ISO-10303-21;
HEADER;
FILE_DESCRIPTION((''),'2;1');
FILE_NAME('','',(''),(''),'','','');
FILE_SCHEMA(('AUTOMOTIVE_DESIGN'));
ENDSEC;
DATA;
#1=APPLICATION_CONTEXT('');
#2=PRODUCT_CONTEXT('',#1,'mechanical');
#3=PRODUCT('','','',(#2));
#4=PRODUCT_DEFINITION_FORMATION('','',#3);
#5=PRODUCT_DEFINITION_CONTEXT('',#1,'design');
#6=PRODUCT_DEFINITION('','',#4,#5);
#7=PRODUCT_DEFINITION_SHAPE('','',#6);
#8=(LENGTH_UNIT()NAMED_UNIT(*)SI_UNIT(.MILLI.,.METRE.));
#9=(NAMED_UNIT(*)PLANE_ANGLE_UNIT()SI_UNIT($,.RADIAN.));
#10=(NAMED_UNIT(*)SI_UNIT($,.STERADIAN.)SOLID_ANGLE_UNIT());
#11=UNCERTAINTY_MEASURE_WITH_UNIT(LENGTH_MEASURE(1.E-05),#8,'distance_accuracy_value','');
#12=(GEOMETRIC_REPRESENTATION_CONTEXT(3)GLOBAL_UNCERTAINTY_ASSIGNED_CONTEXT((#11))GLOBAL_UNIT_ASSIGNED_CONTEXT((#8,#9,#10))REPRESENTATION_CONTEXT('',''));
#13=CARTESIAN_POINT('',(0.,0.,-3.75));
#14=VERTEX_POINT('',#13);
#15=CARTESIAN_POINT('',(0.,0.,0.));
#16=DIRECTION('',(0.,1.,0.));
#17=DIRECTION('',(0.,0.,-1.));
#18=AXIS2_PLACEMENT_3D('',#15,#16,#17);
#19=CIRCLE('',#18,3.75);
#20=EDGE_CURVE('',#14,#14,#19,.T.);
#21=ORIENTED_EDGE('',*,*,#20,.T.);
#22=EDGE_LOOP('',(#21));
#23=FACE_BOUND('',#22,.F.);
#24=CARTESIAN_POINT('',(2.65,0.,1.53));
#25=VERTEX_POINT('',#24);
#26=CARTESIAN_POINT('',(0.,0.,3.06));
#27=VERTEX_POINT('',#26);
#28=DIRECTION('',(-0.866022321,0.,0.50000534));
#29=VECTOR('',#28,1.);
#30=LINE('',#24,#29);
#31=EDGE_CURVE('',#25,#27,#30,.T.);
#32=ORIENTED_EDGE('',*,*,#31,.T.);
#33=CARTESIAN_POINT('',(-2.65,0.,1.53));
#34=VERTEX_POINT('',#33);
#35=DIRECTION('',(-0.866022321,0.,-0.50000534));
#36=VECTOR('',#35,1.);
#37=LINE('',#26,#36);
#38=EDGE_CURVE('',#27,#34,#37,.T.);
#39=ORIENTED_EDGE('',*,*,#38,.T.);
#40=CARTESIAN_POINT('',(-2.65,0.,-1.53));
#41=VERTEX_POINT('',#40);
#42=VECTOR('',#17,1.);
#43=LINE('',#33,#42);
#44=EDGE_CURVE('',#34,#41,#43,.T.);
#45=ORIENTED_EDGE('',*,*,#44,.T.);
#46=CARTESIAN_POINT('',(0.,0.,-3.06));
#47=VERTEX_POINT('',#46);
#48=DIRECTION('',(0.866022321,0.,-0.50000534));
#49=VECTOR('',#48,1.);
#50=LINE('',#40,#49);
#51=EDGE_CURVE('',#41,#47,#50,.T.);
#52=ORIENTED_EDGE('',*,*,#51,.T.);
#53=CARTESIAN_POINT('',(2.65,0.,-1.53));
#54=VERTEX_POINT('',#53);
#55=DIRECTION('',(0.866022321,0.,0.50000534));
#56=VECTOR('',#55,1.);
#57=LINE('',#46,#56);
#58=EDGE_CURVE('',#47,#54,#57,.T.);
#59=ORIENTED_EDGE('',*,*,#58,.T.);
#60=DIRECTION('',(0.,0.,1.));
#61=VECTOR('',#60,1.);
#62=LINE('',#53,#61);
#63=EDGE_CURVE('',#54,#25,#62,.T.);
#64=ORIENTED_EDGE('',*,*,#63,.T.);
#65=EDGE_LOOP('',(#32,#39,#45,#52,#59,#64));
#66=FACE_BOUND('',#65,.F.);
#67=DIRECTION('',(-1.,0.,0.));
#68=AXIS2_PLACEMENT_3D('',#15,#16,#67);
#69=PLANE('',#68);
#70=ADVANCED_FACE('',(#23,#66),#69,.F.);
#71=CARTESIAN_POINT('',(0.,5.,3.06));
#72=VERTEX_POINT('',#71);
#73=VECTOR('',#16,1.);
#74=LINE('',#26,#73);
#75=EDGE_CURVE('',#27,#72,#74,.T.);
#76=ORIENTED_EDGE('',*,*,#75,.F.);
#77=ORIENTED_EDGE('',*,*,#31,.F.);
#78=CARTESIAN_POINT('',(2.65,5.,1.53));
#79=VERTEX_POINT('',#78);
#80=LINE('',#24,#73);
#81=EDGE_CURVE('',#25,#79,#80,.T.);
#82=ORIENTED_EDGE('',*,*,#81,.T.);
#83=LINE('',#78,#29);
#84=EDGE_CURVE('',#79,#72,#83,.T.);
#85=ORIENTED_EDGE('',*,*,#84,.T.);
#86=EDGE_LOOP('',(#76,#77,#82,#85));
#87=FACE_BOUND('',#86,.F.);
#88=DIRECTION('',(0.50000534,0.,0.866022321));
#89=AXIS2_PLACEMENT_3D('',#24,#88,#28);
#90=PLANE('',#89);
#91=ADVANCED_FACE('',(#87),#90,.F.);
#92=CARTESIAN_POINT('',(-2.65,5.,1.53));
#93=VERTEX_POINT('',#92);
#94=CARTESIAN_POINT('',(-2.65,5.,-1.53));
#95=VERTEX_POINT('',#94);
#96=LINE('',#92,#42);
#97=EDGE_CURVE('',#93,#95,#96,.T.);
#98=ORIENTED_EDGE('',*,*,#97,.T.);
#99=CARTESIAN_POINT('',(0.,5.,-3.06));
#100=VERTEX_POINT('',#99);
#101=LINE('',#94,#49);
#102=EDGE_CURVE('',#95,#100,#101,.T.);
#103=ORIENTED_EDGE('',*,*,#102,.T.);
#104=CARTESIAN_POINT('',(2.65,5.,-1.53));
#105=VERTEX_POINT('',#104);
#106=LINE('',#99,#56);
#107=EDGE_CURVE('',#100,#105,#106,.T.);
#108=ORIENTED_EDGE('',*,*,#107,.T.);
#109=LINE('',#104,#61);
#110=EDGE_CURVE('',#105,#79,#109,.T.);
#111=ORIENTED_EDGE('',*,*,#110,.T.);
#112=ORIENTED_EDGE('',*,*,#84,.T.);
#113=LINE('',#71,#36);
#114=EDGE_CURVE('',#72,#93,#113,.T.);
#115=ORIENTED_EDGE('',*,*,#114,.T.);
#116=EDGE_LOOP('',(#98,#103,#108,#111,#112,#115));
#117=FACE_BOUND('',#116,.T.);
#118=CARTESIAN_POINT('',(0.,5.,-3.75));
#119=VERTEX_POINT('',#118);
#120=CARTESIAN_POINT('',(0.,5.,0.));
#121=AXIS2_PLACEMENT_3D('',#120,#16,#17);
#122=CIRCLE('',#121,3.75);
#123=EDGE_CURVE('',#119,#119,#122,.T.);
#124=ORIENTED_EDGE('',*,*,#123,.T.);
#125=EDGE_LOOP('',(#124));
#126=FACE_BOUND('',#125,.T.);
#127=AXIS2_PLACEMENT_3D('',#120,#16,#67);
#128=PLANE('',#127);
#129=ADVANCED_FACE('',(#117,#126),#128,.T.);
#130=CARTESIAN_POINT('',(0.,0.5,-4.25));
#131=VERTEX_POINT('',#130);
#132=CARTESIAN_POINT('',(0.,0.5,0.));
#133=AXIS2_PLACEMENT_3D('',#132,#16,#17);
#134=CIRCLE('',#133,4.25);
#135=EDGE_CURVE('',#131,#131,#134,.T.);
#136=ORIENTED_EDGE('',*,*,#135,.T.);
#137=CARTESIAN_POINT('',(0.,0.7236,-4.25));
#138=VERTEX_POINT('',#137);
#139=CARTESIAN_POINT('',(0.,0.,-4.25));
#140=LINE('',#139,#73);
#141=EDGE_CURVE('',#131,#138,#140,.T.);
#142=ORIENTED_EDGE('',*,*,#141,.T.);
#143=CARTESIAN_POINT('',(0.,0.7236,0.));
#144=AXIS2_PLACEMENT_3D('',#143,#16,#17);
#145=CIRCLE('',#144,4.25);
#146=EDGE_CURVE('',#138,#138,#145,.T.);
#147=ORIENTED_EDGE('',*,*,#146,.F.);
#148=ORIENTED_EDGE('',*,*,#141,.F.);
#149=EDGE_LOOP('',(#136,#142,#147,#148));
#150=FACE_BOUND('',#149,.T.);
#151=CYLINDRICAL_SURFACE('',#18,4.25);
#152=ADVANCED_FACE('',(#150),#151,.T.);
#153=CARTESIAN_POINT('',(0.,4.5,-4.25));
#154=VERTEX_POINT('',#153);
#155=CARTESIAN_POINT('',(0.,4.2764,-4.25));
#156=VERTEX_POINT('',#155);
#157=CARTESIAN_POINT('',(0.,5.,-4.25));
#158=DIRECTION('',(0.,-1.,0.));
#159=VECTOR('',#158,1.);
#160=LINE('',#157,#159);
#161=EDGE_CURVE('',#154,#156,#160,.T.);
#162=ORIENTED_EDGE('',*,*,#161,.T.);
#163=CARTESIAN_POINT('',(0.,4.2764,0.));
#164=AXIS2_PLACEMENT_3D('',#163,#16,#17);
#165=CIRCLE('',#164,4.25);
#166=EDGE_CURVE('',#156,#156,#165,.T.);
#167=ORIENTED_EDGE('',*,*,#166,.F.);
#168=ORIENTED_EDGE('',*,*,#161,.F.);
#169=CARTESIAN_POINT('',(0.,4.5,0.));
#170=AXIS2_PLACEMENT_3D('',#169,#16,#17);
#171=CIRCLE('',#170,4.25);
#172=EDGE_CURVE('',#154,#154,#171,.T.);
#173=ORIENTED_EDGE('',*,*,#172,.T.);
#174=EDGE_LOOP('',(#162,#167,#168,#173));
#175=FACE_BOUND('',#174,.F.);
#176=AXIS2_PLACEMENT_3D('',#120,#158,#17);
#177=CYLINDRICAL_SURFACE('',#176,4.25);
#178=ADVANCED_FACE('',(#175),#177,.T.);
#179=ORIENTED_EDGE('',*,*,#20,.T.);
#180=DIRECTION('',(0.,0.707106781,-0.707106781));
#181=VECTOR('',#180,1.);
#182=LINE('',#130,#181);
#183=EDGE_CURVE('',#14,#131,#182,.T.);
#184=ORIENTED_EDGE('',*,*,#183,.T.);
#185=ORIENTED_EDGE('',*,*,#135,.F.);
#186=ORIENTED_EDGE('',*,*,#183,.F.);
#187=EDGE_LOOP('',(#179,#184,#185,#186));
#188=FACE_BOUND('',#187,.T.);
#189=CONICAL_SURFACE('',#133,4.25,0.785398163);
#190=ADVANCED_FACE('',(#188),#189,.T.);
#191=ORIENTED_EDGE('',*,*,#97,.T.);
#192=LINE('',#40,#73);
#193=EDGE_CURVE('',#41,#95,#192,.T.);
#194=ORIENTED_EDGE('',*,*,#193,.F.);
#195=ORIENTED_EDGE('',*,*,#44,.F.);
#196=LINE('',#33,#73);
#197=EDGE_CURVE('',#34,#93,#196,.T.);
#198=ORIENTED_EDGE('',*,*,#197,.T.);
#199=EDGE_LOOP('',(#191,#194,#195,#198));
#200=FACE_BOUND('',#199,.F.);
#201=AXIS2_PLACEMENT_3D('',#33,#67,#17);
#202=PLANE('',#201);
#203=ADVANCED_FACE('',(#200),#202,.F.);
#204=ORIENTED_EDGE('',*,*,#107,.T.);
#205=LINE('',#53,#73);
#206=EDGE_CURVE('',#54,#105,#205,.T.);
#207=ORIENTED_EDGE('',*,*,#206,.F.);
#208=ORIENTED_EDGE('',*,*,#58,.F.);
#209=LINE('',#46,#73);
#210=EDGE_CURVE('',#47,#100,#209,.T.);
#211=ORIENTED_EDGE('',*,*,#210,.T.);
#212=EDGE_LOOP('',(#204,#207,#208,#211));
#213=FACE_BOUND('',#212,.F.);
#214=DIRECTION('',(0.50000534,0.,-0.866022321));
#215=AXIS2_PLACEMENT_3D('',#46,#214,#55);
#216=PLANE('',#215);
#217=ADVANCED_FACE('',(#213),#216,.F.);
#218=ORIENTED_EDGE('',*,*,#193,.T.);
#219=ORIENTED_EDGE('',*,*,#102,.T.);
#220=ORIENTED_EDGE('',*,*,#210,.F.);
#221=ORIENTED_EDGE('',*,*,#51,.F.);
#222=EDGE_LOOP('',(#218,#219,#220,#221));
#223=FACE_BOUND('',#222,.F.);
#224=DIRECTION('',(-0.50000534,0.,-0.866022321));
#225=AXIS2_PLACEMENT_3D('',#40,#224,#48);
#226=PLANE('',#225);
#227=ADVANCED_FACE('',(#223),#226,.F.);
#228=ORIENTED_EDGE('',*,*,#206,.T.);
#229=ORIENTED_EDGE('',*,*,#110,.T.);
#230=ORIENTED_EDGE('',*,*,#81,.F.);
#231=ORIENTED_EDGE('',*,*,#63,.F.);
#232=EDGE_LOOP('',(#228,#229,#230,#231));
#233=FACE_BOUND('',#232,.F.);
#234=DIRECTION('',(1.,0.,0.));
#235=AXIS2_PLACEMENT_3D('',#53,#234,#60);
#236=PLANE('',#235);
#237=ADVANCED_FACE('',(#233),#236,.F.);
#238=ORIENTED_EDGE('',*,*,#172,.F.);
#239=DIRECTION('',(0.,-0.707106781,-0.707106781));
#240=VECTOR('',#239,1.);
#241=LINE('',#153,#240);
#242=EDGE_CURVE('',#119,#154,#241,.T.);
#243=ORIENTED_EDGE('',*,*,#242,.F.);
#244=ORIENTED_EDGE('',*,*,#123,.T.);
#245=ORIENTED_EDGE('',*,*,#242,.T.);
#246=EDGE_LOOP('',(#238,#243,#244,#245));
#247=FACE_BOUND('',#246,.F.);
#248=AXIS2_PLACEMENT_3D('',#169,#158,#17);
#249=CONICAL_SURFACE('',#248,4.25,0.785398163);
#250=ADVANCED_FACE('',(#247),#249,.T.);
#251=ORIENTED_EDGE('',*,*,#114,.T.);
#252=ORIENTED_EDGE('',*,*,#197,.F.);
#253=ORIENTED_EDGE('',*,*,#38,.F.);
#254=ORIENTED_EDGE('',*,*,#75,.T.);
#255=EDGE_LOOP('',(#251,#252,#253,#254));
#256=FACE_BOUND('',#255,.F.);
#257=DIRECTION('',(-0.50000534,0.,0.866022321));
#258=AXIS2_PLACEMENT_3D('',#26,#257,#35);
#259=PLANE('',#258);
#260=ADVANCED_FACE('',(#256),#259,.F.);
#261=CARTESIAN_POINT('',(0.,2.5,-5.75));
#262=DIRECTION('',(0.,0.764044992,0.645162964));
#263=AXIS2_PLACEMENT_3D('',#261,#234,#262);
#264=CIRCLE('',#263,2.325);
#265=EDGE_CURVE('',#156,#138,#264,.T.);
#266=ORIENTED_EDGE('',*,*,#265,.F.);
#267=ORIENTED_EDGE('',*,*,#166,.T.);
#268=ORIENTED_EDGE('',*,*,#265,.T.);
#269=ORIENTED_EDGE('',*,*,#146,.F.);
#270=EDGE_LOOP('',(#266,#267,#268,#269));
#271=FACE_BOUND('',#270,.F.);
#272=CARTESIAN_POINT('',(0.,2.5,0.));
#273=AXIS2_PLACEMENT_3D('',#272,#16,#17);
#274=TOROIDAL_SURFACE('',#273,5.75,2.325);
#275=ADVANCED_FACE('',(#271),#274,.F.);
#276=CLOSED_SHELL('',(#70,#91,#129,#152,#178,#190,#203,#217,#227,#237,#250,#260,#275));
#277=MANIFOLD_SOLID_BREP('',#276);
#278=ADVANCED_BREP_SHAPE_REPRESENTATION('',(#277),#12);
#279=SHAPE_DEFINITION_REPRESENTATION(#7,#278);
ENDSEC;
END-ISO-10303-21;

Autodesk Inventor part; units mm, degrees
ref_plane "YZ Plane" through (0, 0, 0) normal (1, 0, 0) x (0, 1, 0)
ref_plane "XZ Plane" through (0, 0, 0) normal (0, 1, 0) x (-1, 0, 0)
sketch "Sketch1" plane through (0, 0, 0) normal (0, 1, 0) x (-1, 0, 0)
  line L0 (2.65, -1.53) -> (0, -3.06)
  line L1 (0, -3.06) -> (-2.65, -1.53)
  line L2 (-2.65, -1.53) -> (-2.65, 1.53)
  line L3 (-2.65, 1.53) -> (0, 3.06)
  line L4 (0, 3.06) -> (2.65, 1.53)
  line L5 (2.65, 1.53) -> (2.65, -1.53)
  circle A0 centre (0, 0) radius 3.5
  dimension "d1" = 5.3
  dimension "d2" = 7
extrude "Extrusion1" add sketch "Sketch1" along normal blind 5
sketch "Sketch2" plane through (0, 0, 0) normal (1, 0, 0) x (0, 1, 0)
  line L0 (0, -3.5) -> (5, -3.5) projected
  circle A0 centre (2.5, -5.75) radius 2.325
  line L1 (5, -3.5) -> (5, 3.5) projected
  line L2 (5, -3.5) -> (5, -4.25)
  line L3 (5, -4.25) -> (4.2764, -4.25)
  line L4 (0, -3.5) -> (0, 3.5) projected
  line L5 (0, -3.5) -> (0, -4.25)
  line L6 (0, -4.25) -> (0.7236, -4.25)
  line L7 (-1, 0) -> (6, 0) projected
  point P0 (0, 0)
  point P1 (1.9142, -3.5)
  point P2 (3.0858, -3.5)
  dimension "d5" = 4.65
  dimension "d6" = 2.25
  dimension "d7" = 0.75
  dimension "d8" = 0.75
revolve "Revolution1" cut sketch "Sketch2" angle 360 about axis through (0, -10, 0) along (0, 1, 0) contours A0 L0 | L0 A0
revolve "Revolution2" add sketch "Sketch2" angle 360 about axis through (0, -10, 0) along (0, 1, 0) contours L0 A0 L6 L5 | L0 L2 L3 A0
chamfer "Chamfer1" distance 0.5 angle 45 2 edges at (0, 5, 4.25) (0, 0, 4.25)
ref_plane "Work Plane1" through (0, 2.5, 0) normal (0, 1, 0) x (1, 0, 0)
sketch "Sketch3" plane through (0, 0, 0) normal (0, -1, 0) x (1, 0, 0)
  line L0 (-2.65, -1.53) -> (0, -3.06) projected
  line L1 (-2.65, 1.53) -> (-2.65, -1.53) projected
  line L2 (0, 3.06) -> (-2.65, 1.53) projected
  line L3 (2.65, 1.53) -> (0, 3.06) projected
  line L4 (2.65, -1.53) -> (2.65, 1.53) projected
  line L5 (0, -3.06) -> (2.65, -1.53) projected
  circle A0 centre (0, 0) radius 3.75 projected
properties part number "5mm Hex Bearing Inside_3DPrint"
